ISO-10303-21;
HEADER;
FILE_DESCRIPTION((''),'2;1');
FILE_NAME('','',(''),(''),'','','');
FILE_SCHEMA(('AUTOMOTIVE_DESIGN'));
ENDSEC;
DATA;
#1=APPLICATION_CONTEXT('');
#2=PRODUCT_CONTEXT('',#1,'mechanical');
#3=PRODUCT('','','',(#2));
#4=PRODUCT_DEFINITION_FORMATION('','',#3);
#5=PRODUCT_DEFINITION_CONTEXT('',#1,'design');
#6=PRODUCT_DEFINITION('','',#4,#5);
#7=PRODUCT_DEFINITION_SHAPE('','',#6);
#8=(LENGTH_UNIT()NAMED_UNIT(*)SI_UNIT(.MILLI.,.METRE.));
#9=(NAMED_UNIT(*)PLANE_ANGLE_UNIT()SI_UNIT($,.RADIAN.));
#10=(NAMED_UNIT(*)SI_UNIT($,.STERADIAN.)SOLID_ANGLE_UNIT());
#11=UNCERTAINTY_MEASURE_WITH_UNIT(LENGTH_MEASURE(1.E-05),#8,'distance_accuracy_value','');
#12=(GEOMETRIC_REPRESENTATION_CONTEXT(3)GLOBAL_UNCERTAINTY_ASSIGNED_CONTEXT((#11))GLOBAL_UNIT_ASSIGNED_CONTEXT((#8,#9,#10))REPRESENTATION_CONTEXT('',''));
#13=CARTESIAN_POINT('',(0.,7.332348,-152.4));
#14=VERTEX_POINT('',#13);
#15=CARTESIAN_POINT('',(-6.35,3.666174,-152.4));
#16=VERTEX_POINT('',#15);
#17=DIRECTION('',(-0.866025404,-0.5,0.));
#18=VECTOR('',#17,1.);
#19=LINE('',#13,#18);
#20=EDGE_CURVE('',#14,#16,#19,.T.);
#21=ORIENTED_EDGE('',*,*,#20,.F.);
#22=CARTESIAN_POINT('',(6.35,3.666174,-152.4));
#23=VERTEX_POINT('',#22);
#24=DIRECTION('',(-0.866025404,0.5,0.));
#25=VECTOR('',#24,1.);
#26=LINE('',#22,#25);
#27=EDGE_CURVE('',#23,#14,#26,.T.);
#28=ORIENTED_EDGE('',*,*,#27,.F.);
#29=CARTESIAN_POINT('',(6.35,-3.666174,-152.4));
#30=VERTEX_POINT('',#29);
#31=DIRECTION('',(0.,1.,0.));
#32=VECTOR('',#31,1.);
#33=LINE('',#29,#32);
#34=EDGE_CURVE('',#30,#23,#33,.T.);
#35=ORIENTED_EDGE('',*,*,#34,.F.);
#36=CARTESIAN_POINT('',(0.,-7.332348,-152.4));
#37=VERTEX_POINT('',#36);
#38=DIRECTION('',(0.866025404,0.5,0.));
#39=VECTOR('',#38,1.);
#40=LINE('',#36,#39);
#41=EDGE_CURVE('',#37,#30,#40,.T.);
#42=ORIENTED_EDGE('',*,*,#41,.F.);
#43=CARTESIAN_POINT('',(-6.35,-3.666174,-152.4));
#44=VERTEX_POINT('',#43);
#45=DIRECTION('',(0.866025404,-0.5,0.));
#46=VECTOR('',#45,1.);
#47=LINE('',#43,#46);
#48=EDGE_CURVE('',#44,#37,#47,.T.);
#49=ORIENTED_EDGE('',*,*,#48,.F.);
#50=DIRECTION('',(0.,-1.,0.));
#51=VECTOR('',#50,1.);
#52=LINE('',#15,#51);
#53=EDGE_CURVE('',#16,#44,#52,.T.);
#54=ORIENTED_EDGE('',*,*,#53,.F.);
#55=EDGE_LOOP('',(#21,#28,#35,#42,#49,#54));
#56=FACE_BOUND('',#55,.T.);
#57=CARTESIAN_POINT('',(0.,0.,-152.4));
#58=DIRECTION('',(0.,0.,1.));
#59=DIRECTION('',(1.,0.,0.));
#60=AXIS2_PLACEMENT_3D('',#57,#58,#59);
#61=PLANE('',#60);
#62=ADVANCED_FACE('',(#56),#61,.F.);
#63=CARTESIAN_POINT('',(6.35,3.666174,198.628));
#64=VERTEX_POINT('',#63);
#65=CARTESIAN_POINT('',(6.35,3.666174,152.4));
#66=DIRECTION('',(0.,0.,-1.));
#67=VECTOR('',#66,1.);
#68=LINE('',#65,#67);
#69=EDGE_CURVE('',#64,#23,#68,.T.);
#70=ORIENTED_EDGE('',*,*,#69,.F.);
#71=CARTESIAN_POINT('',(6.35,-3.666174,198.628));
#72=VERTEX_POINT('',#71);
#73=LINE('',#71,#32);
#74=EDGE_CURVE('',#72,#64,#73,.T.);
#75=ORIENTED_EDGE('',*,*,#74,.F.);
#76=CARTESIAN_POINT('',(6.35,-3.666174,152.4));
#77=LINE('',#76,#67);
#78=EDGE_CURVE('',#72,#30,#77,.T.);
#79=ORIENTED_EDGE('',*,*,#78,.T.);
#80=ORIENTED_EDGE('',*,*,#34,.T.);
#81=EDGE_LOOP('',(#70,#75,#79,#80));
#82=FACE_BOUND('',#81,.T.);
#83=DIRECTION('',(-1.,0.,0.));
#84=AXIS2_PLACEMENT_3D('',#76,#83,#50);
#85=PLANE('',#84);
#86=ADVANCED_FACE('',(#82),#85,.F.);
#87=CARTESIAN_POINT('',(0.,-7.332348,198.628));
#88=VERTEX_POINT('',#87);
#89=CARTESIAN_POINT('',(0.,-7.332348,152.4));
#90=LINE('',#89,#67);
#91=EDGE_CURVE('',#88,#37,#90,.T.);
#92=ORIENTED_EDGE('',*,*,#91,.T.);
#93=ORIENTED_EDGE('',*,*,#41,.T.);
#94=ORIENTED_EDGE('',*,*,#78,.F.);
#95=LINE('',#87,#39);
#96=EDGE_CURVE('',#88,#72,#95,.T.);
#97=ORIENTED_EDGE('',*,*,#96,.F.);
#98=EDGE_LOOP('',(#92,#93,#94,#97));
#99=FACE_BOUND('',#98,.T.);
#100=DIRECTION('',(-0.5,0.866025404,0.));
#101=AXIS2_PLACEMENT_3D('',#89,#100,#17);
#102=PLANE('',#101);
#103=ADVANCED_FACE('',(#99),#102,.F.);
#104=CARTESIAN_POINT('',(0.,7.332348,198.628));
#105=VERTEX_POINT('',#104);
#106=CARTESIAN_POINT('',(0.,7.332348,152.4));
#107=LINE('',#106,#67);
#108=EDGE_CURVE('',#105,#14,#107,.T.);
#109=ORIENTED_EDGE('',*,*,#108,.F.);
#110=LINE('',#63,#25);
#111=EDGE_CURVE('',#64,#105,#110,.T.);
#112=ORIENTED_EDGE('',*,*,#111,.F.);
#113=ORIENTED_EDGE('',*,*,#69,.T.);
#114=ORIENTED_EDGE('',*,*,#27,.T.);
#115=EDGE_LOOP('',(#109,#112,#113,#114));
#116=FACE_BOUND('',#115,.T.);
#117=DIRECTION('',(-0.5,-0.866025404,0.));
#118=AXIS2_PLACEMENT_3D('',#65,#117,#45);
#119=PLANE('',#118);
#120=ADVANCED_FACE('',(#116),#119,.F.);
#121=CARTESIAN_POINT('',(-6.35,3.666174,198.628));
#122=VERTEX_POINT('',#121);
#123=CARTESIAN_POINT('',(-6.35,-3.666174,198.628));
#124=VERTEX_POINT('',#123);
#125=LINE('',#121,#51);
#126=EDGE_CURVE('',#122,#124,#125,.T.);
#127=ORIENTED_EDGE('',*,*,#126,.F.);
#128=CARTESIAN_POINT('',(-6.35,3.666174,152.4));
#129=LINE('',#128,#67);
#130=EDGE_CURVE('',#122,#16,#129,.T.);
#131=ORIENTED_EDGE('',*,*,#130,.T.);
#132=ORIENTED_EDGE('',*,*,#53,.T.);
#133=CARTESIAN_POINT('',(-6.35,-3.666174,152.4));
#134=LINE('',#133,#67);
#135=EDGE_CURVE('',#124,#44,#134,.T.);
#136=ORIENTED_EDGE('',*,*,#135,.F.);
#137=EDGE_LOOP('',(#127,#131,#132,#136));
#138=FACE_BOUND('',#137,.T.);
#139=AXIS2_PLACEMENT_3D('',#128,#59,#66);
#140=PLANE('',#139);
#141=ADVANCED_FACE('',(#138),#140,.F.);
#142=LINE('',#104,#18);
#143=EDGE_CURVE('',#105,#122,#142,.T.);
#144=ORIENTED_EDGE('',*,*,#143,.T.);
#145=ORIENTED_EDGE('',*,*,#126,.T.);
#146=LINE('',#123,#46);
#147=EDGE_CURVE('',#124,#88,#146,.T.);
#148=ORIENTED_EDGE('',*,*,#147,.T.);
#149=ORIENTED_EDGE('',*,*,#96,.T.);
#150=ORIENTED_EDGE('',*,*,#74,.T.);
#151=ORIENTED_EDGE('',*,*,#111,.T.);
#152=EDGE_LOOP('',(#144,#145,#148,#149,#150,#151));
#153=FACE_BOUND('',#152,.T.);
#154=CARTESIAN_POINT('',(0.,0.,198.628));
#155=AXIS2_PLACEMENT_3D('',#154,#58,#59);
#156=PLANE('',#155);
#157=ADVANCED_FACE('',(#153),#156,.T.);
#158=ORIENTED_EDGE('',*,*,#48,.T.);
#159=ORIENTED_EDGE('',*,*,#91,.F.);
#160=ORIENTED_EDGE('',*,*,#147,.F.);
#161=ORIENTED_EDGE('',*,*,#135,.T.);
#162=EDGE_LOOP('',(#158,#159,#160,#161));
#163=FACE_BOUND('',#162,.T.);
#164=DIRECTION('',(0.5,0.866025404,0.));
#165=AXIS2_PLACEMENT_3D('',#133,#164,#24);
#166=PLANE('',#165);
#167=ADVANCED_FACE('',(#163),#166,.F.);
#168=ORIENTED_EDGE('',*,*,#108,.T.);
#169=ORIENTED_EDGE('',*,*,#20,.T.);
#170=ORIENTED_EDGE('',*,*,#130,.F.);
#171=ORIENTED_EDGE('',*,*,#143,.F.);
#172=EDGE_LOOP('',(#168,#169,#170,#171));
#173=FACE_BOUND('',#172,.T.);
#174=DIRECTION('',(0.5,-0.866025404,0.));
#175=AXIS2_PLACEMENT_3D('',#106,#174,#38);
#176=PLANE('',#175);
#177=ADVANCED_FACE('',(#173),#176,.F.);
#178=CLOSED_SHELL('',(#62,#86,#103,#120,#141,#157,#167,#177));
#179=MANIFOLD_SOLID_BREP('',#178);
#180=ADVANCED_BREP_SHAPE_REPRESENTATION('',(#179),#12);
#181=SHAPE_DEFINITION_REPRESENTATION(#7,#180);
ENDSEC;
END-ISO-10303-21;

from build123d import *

# Parameters (mm, degrees)
BOSS_EXTRUDE2_DEPTH      = 152.4
BOSS_EXTRUDE2_DEPTH_BACK = 152.4
BOSS_EXTRUDE3_DEPTH      = 46.228


with BuildPart() as part:
    # Sketch3 → Boss-Extrude2 (new, two sides: drawn at the far end of the back side and taken through both)
    with BuildSketch(Plane.XY.offset(-BOSS_EXTRUDE2_DEPTH_BACK)):
        Polygon((-6.35, -3.666174209), (0, -7.332348419), (6.35, -3.666174209), (6.35, 3.666174209), (0, 7.332348419), (-6.35, 3.666174209), align=None)
    extrude(amount=BOSS_EXTRUDE2_DEPTH + BOSS_EXTRUDE2_DEPTH_BACK)

    # Sketch4 → Boss-Extrude3 (add)
    with BuildSketch(Plane.XY.offset(152.4)):
        Polygon((-6.35, 3.666174209), (-6.35, -3.666174209), (0, -7.332348419), (6.35, -3.666174209), (6.35, 3.666174209), (0, 7.332348419), align=None)
    extrude(amount=BOSS_EXTRUDE3_DEPTH)


solid = part.part
